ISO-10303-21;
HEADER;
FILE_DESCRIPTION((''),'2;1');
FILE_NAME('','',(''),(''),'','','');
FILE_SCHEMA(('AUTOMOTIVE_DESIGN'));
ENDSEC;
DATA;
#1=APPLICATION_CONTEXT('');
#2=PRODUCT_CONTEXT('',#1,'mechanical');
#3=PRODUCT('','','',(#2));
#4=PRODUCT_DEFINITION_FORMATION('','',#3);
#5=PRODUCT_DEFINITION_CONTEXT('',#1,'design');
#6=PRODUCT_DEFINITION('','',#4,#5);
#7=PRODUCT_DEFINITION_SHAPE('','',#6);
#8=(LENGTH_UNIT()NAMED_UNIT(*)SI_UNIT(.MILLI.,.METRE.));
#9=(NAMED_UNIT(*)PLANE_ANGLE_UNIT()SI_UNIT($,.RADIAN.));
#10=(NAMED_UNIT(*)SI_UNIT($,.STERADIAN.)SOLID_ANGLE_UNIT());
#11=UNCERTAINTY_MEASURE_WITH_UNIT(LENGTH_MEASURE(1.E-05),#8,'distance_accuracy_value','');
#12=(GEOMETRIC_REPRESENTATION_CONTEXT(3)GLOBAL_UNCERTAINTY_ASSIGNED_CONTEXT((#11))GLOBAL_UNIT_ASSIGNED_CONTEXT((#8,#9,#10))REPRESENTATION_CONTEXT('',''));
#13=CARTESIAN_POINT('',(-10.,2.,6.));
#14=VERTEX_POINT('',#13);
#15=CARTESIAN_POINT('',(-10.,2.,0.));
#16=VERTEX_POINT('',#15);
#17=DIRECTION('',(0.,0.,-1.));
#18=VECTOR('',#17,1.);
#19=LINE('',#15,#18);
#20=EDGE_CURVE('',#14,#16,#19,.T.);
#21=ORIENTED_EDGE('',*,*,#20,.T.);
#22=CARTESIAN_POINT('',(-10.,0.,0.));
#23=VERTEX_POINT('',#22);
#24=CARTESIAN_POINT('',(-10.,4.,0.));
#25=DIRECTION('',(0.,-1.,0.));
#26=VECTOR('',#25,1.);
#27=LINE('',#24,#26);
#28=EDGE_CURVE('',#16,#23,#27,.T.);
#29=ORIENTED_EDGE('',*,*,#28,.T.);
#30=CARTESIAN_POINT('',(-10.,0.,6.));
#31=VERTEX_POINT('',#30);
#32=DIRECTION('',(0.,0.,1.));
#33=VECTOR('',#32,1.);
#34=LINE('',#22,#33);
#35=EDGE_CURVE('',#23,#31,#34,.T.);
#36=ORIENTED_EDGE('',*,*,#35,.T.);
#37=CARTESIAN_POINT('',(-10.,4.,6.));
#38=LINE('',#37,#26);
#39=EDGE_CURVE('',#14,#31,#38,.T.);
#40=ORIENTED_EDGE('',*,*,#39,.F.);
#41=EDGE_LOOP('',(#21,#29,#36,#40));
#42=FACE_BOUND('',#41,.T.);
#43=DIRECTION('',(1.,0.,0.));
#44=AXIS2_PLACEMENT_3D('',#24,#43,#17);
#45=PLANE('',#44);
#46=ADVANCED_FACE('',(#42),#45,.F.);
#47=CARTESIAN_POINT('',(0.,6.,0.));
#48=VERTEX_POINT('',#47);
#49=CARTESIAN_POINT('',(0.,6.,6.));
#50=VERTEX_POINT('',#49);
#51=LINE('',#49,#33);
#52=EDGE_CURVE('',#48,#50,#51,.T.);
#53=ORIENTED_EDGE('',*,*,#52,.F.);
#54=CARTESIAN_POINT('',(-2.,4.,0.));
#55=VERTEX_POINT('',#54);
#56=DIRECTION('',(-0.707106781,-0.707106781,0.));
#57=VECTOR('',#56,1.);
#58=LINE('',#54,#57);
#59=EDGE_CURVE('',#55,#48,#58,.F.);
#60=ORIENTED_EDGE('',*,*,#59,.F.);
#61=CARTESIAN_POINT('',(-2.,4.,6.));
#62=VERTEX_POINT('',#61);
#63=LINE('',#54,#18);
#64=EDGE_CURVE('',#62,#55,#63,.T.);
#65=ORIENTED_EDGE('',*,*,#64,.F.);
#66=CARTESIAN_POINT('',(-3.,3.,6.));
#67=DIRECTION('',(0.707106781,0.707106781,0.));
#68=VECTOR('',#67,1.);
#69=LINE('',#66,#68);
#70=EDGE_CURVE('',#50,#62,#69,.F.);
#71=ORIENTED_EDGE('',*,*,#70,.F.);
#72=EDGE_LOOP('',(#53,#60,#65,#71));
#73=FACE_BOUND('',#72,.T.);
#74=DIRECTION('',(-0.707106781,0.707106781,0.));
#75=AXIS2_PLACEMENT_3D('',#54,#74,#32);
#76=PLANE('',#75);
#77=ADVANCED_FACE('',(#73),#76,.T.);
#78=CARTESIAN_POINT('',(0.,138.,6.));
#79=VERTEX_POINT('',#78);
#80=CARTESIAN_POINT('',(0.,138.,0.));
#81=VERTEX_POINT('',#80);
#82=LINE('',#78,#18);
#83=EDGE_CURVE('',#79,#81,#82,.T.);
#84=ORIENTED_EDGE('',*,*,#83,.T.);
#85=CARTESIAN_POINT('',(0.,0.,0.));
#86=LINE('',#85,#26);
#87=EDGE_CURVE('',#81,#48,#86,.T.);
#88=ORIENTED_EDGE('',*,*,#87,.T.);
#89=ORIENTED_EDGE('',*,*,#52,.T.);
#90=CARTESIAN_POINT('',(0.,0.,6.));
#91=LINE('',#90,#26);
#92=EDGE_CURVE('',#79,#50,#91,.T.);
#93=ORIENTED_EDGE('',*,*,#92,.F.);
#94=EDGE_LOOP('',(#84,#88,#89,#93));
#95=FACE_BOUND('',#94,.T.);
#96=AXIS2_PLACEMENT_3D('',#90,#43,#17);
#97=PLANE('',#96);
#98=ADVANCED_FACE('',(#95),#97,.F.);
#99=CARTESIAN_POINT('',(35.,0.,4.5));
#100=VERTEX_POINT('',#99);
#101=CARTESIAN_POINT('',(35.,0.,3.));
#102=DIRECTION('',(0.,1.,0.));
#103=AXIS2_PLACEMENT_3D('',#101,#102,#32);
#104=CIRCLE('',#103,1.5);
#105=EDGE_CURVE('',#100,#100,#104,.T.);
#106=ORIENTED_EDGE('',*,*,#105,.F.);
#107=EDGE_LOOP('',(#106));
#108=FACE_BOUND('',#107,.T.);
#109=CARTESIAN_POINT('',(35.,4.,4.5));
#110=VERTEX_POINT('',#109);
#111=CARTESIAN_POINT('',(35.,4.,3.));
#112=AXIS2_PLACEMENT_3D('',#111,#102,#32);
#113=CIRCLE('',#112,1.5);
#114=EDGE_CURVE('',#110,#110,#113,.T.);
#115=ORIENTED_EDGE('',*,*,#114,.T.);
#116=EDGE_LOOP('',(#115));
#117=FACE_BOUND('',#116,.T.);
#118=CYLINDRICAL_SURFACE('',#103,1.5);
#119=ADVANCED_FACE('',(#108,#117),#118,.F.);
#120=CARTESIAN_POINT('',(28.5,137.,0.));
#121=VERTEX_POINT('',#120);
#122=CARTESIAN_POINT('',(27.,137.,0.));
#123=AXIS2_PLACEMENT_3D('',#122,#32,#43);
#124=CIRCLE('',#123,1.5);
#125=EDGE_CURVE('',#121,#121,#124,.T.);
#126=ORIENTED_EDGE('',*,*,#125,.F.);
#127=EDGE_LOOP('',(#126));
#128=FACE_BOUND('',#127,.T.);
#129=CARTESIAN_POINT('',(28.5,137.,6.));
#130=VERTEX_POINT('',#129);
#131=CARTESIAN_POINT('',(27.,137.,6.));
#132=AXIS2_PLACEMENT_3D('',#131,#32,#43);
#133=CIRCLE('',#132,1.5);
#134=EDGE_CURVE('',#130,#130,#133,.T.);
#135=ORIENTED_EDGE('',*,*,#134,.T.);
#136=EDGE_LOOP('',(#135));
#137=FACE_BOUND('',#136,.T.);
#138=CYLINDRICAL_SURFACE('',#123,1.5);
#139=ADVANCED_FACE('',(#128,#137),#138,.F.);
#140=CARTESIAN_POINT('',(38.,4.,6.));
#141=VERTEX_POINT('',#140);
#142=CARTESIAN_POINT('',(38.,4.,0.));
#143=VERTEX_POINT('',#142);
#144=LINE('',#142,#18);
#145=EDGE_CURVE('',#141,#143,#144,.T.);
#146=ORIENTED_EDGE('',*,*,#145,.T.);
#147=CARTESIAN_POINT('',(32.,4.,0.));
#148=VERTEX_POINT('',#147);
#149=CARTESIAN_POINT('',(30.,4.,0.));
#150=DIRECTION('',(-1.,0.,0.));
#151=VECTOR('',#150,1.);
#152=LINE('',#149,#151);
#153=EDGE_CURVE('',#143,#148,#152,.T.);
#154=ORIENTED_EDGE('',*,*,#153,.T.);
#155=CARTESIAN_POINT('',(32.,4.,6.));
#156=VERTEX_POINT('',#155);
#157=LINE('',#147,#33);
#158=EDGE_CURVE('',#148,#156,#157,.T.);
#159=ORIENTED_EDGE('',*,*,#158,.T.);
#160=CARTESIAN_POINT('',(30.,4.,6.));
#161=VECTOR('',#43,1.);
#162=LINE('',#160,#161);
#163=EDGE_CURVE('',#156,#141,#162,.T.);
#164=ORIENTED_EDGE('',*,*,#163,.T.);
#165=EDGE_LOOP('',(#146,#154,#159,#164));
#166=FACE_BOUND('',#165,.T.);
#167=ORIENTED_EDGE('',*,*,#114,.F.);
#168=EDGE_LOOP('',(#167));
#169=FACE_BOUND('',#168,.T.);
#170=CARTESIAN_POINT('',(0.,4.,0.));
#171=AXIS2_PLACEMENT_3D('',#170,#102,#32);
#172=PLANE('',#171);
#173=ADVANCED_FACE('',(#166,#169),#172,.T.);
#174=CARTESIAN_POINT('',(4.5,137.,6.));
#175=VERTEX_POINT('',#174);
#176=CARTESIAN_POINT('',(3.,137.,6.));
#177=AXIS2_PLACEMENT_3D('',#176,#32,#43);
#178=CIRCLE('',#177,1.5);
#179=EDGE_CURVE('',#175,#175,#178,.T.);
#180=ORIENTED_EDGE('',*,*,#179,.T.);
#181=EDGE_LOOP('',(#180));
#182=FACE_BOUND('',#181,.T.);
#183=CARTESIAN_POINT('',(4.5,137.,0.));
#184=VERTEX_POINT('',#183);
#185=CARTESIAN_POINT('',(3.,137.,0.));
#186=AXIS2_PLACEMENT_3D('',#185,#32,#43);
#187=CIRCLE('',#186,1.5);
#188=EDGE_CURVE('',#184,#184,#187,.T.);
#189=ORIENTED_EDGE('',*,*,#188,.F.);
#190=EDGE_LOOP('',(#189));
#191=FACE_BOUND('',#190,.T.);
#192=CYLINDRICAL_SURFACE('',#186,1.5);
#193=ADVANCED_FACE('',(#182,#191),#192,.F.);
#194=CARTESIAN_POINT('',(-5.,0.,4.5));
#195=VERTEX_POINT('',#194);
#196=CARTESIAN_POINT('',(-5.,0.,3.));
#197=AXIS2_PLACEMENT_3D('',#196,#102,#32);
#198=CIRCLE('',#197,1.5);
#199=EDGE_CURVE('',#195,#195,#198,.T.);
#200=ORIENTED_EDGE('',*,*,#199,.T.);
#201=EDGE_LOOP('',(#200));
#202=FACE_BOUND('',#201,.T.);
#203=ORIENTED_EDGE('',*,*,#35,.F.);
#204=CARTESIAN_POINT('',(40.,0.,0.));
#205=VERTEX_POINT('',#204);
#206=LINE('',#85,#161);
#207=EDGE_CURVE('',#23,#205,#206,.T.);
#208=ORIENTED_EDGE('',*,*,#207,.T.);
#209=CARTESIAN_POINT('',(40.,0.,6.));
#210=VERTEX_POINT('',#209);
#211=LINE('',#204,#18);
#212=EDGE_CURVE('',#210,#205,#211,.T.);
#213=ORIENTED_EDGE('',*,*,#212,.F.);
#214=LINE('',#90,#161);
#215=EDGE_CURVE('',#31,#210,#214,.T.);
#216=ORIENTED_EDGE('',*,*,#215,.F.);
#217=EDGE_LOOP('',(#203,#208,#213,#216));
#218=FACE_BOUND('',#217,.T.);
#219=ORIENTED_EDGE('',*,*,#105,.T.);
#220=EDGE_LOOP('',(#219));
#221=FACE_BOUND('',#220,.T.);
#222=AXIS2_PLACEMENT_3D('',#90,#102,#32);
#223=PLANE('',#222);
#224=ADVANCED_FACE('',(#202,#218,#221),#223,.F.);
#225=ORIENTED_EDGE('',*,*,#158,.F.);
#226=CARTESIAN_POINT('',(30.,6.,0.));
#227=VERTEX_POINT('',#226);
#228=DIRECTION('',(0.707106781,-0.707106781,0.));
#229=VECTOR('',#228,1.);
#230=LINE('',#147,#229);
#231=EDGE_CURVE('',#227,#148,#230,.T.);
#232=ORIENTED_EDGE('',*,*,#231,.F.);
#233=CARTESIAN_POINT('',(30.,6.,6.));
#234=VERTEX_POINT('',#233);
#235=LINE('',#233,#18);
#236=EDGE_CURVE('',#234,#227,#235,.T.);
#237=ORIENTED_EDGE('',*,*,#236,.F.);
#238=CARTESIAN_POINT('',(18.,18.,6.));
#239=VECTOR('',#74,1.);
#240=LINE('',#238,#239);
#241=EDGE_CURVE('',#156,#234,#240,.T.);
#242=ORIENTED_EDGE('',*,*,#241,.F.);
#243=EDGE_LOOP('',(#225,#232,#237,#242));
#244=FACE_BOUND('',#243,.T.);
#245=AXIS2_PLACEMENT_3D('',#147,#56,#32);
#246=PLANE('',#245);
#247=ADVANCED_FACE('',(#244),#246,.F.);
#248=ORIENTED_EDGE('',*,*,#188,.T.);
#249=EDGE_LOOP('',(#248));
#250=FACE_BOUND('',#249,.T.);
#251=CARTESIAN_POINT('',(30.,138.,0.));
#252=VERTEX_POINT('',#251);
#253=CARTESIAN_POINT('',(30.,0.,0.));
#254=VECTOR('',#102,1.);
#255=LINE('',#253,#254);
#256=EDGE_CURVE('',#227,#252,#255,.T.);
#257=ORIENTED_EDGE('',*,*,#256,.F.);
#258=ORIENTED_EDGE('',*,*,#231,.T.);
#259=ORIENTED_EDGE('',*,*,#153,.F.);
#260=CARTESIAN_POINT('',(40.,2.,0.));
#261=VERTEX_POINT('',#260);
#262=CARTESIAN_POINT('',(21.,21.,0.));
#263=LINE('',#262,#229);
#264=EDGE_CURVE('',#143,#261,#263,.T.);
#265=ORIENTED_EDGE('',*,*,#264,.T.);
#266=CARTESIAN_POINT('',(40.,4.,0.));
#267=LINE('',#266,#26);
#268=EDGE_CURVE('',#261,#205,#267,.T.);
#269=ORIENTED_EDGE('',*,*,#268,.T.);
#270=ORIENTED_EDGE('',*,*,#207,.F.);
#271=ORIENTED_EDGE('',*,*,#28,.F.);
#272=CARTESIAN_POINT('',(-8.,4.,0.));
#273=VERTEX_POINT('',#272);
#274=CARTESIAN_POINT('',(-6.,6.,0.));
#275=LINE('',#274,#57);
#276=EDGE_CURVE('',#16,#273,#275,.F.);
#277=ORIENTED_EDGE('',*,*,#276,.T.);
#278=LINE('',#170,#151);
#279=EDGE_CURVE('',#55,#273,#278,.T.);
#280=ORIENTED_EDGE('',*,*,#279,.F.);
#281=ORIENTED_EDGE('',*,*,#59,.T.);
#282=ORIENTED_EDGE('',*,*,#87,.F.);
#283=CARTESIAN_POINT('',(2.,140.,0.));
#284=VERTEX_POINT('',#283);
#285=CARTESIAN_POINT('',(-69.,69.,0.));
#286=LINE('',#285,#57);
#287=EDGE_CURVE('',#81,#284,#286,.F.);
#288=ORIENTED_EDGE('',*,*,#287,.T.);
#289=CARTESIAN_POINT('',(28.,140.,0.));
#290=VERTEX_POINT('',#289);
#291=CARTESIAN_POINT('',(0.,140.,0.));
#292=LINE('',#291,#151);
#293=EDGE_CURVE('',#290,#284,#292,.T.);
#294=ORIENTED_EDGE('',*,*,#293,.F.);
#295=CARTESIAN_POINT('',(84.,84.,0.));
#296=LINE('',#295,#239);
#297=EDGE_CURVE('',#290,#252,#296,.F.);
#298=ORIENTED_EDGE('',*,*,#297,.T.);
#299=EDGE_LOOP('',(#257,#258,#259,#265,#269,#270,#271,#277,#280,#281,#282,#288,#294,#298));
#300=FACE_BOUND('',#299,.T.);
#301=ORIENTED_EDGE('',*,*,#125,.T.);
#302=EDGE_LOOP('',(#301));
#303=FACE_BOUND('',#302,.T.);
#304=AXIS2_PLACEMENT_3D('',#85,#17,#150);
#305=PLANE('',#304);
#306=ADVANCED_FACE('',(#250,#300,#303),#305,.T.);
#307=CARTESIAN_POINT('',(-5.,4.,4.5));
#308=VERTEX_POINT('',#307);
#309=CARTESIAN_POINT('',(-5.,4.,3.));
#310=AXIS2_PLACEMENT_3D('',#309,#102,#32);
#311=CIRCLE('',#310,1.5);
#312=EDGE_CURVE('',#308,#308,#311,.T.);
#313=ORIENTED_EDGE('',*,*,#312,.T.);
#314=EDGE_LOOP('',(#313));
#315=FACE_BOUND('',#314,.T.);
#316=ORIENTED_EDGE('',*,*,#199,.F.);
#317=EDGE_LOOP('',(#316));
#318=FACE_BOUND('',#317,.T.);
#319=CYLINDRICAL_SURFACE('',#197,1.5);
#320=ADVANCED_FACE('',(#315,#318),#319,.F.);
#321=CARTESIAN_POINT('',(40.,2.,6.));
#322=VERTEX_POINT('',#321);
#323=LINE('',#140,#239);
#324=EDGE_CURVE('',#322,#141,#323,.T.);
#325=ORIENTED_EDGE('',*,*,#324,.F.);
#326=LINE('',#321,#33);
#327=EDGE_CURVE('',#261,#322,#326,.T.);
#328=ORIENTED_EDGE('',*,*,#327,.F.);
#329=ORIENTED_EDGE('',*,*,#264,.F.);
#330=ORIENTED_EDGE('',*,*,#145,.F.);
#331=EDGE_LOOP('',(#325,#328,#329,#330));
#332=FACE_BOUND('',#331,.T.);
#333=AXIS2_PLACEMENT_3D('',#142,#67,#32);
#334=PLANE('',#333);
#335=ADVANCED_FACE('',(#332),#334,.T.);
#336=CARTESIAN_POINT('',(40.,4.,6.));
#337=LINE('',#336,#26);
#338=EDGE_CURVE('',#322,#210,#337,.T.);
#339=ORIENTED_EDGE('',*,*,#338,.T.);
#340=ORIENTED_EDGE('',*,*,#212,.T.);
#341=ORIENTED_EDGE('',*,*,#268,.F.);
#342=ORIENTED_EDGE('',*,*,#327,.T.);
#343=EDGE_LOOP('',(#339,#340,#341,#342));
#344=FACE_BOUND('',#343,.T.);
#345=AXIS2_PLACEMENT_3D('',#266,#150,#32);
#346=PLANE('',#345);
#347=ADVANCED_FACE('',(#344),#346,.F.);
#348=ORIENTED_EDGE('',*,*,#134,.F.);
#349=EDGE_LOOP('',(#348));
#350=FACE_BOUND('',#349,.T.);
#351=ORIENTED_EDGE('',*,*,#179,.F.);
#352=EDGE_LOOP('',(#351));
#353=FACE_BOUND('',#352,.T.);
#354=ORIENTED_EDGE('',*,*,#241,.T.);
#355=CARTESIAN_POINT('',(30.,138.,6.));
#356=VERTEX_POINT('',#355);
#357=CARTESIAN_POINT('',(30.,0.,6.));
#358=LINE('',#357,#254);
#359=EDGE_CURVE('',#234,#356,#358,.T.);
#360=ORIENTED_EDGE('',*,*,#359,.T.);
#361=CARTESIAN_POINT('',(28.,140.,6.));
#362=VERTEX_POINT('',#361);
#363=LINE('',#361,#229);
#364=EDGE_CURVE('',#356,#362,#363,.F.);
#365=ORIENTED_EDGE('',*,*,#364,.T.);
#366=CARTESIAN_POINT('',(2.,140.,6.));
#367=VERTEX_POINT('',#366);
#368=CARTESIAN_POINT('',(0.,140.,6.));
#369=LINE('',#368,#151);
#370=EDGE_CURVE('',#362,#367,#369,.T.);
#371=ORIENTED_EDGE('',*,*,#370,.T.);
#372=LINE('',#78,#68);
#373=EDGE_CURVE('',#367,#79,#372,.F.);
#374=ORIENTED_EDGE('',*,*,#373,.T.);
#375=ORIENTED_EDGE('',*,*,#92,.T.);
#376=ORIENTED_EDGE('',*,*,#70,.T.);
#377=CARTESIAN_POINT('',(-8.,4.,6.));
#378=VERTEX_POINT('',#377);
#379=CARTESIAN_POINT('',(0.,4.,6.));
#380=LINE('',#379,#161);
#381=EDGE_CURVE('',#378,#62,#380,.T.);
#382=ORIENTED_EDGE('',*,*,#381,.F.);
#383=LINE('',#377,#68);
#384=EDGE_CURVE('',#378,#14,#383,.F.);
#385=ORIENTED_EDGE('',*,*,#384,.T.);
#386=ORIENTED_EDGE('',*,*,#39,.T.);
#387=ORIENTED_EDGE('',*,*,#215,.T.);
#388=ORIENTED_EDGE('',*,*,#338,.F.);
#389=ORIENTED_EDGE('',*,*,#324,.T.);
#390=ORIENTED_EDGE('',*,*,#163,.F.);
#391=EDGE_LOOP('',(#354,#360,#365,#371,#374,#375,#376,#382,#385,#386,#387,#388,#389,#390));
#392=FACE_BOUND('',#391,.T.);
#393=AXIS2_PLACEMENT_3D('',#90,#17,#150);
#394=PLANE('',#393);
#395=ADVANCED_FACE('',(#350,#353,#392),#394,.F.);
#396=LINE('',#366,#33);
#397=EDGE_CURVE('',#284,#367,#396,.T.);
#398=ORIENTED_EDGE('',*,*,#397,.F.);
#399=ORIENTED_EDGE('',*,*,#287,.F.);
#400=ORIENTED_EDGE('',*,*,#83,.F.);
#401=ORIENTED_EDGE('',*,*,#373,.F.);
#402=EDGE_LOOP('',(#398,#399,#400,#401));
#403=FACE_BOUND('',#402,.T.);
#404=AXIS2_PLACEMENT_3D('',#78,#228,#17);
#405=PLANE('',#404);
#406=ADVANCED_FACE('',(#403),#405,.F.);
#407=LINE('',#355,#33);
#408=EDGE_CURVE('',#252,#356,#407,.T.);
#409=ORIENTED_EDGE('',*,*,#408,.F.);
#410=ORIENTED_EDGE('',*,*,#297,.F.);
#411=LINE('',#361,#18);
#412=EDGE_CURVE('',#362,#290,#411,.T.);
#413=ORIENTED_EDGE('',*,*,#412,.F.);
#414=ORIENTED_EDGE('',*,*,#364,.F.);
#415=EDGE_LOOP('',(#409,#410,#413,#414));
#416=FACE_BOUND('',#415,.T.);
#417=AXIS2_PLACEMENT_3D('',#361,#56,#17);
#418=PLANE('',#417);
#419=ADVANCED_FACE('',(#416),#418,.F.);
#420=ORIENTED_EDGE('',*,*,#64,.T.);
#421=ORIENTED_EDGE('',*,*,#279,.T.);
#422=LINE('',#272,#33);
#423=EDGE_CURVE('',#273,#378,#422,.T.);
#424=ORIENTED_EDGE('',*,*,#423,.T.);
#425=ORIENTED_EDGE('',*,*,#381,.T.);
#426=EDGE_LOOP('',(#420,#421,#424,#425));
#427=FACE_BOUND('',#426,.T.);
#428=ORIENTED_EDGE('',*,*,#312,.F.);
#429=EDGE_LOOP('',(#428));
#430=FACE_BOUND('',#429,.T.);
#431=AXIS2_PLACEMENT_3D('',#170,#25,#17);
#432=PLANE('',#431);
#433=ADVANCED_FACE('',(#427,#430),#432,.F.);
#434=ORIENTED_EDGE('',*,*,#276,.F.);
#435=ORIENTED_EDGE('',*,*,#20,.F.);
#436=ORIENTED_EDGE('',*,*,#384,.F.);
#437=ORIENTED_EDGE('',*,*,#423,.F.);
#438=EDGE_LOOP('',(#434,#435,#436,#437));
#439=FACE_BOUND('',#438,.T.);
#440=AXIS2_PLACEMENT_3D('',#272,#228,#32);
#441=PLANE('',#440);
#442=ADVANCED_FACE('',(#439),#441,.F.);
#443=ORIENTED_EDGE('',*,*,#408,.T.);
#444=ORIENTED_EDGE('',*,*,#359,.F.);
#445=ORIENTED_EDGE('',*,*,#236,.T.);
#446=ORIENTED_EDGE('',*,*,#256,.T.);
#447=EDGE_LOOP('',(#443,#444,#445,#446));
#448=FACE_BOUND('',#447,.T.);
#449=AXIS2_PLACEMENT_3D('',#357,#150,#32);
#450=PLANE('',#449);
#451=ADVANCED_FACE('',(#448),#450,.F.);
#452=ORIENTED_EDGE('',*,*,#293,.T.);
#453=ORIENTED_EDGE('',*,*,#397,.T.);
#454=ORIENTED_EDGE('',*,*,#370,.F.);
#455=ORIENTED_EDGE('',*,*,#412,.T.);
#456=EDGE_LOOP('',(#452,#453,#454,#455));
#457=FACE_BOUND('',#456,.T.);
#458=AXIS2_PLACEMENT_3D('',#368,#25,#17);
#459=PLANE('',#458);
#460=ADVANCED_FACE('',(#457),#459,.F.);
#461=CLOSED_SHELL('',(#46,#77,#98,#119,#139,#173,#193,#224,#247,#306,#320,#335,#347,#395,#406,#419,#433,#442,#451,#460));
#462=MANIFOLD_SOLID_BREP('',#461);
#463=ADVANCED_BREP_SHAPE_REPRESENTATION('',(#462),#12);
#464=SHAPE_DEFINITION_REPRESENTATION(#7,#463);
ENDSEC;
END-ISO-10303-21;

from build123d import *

# Parameters (mm, degrees)
SKETCH1_W           = 30
SKETCH1_H           = 140
BOSS_EXTRUDE1_DEPTH = 6
CHAMFER1_SIZE       = 2
SKETCH2_R           = 1.5
CUT_EXTRUDE1_DEPTH  = 6
SKETCH3_W           = 10
SKETCH3_H           = 6
BOSS_EXTRUDE2_DEPTH = 4
CHAMFER2_SIZE       = 2
SKETCH4_R           = 1.5
CUT_EXTRUDE2_DEPTH  = 142.887279204


with BuildPart() as part:
    # Sketch1 → Boss-Extrude1 (new body)
    with BuildSketch(Plane.XY):
        with Locations((15, 70)):
            Rectangle(SKETCH1_W, SKETCH1_H)
    extrude(amount=BOSS_EXTRUDE1_DEPTH)

    # Chamfer1
    chamfer1_edges = [part.edges().sort_by_distance(p)[0] for p in [
        (0, 140, 3),
        (30, 140, 3),
    ]]
    chamfer(chamfer1_edges, length=CHAMFER1_SIZE)

    # Sketch2 → Cut-Extrude1 (cut)
    with BuildSketch(Plane.XY.offset(6)):
        with Locations((3, 137)):
            Circle(SKETCH2_R)
        with Locations((27, 137)):
            Circle(SKETCH2_R)
    extrude(amount=-CUT_EXTRUDE1_DEPTH, mode=Mode.SUBTRACT)

    # Sketch3 → Boss-Extrude2 (add)
    with BuildSketch(Plane(origin=(0, 0, 0), x_dir=(1, 0, 0), z_dir=(0, 1, 0))):
        with Locations((-5, -3)):
            Rectangle(SKETCH3_W, SKETCH3_H)
        with Locations((35, -3)):
            Rectangle(SKETCH3_W, SKETCH3_H)
    extrude(amount=BOSS_EXTRUDE2_DEPTH)

    # Chamfer2
    chamfer2_edges = [part.edges().sort_by_distance(p)[0] for p in [
        (0, 4, 3),
        (-10, 4, 3),
        (30, 4, 3),
        (40, 4, 3),
    ]]
    chamfer(chamfer2_edges, length=CHAMFER2_SIZE)

    # Sketch4 → Cut-Extrude2 (cut, through all)
    with BuildSketch(Plane(origin=(0, 4, 0), x_dir=(1, 0, 0), z_dir=(0, 1, 0))):
        with Locations(Location((-5, -3, 0), (0, 0, 270))):
            Circle(SKETCH4_R)
        with Locations(Location((35, -3, 0), (0, 0, 270))):
            Circle(SKETCH4_R)
    extrude(amount=-CUT_EXTRUDE2_DEPTH, mode=Mode.SUBTRACT)


solid = part.part
